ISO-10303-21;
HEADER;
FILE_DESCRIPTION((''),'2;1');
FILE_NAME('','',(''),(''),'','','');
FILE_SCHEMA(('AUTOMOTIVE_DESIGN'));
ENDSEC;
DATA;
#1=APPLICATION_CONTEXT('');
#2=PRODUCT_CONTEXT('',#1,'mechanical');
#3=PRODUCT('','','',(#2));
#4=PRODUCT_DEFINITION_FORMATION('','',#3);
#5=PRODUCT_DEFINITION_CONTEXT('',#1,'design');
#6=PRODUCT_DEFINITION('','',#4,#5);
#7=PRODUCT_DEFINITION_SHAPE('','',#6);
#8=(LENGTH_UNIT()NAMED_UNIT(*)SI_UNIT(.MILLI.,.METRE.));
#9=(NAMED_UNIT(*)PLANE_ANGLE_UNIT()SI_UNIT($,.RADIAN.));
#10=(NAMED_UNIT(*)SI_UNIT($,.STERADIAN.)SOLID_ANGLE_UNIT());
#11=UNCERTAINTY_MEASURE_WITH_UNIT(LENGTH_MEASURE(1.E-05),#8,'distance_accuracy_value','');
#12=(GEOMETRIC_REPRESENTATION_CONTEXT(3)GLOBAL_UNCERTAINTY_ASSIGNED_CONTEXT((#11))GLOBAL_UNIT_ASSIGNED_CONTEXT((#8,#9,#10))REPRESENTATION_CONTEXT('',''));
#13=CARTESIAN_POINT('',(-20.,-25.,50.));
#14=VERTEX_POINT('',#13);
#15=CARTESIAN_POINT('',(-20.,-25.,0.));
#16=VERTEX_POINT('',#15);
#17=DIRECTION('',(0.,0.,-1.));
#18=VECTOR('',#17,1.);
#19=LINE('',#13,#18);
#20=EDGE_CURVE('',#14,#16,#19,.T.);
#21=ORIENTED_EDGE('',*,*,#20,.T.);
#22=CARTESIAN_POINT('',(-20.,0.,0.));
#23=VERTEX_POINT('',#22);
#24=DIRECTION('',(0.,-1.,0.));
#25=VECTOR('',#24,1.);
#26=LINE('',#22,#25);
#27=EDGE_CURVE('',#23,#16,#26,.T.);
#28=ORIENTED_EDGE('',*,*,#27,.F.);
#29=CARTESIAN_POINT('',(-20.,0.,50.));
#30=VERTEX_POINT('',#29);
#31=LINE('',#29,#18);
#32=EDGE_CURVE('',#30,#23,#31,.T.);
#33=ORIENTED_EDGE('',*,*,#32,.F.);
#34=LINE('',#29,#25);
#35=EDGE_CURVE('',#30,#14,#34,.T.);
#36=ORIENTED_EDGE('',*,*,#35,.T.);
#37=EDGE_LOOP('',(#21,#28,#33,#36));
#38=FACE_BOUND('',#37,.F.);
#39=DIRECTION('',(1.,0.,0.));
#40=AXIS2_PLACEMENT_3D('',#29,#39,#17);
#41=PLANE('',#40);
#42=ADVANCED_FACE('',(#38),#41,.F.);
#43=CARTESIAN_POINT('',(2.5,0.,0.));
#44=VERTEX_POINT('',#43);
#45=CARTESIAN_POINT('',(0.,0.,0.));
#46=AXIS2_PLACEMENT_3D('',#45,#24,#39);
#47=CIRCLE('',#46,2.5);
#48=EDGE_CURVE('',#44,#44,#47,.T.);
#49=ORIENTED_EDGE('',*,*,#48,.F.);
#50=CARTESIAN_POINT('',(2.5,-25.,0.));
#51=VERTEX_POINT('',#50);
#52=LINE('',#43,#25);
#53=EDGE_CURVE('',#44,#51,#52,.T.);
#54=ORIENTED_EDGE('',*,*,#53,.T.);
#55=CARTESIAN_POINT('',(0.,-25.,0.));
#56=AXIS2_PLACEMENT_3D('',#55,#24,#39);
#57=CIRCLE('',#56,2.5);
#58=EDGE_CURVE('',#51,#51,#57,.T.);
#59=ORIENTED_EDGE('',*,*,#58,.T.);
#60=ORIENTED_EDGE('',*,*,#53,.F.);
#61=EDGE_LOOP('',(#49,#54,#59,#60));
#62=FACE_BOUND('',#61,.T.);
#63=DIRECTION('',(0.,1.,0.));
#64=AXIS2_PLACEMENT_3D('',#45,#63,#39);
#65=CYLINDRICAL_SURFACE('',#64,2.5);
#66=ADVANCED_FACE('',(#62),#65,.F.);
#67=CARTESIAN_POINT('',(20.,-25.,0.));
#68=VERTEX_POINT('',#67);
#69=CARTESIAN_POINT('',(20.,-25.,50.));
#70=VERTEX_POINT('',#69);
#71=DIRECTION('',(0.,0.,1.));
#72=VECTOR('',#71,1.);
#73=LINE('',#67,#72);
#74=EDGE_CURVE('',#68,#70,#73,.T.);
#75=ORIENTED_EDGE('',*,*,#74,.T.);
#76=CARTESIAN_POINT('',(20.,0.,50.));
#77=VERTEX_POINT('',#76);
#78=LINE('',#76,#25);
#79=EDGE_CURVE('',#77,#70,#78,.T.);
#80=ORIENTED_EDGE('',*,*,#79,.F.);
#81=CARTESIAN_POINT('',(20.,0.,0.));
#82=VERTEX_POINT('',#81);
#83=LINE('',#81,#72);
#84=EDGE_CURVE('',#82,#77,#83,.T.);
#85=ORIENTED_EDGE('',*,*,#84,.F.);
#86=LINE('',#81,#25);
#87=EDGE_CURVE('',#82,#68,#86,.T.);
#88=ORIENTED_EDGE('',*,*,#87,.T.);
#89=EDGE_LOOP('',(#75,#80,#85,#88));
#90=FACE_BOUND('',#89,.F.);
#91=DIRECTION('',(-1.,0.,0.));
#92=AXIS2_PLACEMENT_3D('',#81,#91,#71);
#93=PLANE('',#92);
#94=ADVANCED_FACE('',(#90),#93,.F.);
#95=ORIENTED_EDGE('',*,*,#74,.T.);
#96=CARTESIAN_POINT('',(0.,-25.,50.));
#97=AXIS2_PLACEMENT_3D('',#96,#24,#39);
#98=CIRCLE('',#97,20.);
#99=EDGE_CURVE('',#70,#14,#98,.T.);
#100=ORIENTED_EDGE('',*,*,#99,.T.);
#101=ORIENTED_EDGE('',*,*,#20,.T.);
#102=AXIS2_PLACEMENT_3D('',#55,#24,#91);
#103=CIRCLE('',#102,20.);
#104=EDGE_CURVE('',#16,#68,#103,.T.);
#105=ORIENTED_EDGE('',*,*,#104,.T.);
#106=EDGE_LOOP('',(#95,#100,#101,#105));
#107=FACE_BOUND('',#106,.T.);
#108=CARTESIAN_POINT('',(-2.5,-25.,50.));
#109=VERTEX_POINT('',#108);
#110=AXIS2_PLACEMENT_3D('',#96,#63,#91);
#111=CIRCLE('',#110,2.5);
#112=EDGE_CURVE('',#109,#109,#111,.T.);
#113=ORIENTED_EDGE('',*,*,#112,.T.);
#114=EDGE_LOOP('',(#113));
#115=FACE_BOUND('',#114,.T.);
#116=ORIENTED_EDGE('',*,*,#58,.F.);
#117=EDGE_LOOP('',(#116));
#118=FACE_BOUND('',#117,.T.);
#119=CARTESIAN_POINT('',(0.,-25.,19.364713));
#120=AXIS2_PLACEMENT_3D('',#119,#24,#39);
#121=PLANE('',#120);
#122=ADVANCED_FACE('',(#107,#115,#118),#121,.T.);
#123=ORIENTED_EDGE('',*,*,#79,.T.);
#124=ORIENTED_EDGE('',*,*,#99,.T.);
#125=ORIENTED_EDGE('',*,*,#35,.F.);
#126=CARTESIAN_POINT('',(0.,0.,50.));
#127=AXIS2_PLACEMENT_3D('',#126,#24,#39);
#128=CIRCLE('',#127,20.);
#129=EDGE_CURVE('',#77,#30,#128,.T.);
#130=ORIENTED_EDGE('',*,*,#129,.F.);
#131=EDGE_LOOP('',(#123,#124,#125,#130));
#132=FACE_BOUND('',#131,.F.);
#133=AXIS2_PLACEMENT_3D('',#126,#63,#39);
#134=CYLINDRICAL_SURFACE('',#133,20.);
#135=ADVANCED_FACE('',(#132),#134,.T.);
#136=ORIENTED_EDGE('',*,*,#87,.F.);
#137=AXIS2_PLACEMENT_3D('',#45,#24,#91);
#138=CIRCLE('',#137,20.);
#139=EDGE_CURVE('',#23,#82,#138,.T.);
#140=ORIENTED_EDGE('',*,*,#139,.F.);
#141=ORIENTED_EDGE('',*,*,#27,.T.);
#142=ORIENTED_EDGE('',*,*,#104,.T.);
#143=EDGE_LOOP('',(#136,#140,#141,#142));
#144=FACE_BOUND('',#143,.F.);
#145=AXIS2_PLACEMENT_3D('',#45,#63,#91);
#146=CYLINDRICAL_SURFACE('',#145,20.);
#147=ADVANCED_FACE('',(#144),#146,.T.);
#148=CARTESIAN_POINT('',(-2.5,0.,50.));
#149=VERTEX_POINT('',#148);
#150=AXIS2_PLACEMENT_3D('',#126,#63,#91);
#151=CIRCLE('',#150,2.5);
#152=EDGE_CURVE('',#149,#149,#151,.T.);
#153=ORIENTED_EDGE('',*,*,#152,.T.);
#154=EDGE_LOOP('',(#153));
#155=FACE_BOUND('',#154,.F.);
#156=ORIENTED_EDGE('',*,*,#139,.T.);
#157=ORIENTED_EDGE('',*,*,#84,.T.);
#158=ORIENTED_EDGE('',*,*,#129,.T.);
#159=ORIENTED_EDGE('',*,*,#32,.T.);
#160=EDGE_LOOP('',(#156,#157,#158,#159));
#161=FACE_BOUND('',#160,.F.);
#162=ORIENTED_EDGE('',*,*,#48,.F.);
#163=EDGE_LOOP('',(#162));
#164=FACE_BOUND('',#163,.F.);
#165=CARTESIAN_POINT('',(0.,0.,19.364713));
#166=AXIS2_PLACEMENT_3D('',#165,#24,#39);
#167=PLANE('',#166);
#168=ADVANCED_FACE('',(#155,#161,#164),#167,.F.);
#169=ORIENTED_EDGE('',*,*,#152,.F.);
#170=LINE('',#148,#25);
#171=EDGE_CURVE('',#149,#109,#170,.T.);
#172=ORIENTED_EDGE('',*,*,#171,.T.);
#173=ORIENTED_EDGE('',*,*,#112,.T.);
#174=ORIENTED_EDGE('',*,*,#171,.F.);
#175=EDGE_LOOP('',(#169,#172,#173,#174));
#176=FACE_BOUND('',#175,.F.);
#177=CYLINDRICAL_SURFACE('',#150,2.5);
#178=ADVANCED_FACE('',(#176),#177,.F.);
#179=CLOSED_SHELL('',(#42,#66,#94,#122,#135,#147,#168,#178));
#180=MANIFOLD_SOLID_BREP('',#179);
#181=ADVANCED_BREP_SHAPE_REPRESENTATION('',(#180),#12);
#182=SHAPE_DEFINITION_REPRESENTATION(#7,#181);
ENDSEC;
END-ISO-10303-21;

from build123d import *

# Parameters (mm, degrees)
F0_R     = 2.5
F1_DEPTH = 25


with BuildPart() as f1:
    # F0 (on Front) → F1 (new body)
    with BuildSketch(Plane.XZ):
        with BuildLine():
            Line((-20, 50), (-20, 0))
            ThreePointArc((-20, 0), (0, -20), (20, 0))
            Line((20, 0), (20, 50))
            Line((20, 50), (2.5, 50))
            ThreePointArc((2.5, 50), (0, 47.5), (-2.5, 50))
            Line((-2.5, 50), (-20, 50))
        make_face()
        Circle(F0_R, mode=Mode.SUBTRACT)
        with BuildLine():
            ThreePointArc((20, 50), (0, 70), (-20, 50))
            Line((-20, 50), (-2.5, 50))
            ThreePointArc((-2.5, 50), (0, 52.5), (2.5, 50))
            Line((2.5, 50), (20, 50))
        make_face()
    extrude(amount=F1_DEPTH)


solid = f1.part
